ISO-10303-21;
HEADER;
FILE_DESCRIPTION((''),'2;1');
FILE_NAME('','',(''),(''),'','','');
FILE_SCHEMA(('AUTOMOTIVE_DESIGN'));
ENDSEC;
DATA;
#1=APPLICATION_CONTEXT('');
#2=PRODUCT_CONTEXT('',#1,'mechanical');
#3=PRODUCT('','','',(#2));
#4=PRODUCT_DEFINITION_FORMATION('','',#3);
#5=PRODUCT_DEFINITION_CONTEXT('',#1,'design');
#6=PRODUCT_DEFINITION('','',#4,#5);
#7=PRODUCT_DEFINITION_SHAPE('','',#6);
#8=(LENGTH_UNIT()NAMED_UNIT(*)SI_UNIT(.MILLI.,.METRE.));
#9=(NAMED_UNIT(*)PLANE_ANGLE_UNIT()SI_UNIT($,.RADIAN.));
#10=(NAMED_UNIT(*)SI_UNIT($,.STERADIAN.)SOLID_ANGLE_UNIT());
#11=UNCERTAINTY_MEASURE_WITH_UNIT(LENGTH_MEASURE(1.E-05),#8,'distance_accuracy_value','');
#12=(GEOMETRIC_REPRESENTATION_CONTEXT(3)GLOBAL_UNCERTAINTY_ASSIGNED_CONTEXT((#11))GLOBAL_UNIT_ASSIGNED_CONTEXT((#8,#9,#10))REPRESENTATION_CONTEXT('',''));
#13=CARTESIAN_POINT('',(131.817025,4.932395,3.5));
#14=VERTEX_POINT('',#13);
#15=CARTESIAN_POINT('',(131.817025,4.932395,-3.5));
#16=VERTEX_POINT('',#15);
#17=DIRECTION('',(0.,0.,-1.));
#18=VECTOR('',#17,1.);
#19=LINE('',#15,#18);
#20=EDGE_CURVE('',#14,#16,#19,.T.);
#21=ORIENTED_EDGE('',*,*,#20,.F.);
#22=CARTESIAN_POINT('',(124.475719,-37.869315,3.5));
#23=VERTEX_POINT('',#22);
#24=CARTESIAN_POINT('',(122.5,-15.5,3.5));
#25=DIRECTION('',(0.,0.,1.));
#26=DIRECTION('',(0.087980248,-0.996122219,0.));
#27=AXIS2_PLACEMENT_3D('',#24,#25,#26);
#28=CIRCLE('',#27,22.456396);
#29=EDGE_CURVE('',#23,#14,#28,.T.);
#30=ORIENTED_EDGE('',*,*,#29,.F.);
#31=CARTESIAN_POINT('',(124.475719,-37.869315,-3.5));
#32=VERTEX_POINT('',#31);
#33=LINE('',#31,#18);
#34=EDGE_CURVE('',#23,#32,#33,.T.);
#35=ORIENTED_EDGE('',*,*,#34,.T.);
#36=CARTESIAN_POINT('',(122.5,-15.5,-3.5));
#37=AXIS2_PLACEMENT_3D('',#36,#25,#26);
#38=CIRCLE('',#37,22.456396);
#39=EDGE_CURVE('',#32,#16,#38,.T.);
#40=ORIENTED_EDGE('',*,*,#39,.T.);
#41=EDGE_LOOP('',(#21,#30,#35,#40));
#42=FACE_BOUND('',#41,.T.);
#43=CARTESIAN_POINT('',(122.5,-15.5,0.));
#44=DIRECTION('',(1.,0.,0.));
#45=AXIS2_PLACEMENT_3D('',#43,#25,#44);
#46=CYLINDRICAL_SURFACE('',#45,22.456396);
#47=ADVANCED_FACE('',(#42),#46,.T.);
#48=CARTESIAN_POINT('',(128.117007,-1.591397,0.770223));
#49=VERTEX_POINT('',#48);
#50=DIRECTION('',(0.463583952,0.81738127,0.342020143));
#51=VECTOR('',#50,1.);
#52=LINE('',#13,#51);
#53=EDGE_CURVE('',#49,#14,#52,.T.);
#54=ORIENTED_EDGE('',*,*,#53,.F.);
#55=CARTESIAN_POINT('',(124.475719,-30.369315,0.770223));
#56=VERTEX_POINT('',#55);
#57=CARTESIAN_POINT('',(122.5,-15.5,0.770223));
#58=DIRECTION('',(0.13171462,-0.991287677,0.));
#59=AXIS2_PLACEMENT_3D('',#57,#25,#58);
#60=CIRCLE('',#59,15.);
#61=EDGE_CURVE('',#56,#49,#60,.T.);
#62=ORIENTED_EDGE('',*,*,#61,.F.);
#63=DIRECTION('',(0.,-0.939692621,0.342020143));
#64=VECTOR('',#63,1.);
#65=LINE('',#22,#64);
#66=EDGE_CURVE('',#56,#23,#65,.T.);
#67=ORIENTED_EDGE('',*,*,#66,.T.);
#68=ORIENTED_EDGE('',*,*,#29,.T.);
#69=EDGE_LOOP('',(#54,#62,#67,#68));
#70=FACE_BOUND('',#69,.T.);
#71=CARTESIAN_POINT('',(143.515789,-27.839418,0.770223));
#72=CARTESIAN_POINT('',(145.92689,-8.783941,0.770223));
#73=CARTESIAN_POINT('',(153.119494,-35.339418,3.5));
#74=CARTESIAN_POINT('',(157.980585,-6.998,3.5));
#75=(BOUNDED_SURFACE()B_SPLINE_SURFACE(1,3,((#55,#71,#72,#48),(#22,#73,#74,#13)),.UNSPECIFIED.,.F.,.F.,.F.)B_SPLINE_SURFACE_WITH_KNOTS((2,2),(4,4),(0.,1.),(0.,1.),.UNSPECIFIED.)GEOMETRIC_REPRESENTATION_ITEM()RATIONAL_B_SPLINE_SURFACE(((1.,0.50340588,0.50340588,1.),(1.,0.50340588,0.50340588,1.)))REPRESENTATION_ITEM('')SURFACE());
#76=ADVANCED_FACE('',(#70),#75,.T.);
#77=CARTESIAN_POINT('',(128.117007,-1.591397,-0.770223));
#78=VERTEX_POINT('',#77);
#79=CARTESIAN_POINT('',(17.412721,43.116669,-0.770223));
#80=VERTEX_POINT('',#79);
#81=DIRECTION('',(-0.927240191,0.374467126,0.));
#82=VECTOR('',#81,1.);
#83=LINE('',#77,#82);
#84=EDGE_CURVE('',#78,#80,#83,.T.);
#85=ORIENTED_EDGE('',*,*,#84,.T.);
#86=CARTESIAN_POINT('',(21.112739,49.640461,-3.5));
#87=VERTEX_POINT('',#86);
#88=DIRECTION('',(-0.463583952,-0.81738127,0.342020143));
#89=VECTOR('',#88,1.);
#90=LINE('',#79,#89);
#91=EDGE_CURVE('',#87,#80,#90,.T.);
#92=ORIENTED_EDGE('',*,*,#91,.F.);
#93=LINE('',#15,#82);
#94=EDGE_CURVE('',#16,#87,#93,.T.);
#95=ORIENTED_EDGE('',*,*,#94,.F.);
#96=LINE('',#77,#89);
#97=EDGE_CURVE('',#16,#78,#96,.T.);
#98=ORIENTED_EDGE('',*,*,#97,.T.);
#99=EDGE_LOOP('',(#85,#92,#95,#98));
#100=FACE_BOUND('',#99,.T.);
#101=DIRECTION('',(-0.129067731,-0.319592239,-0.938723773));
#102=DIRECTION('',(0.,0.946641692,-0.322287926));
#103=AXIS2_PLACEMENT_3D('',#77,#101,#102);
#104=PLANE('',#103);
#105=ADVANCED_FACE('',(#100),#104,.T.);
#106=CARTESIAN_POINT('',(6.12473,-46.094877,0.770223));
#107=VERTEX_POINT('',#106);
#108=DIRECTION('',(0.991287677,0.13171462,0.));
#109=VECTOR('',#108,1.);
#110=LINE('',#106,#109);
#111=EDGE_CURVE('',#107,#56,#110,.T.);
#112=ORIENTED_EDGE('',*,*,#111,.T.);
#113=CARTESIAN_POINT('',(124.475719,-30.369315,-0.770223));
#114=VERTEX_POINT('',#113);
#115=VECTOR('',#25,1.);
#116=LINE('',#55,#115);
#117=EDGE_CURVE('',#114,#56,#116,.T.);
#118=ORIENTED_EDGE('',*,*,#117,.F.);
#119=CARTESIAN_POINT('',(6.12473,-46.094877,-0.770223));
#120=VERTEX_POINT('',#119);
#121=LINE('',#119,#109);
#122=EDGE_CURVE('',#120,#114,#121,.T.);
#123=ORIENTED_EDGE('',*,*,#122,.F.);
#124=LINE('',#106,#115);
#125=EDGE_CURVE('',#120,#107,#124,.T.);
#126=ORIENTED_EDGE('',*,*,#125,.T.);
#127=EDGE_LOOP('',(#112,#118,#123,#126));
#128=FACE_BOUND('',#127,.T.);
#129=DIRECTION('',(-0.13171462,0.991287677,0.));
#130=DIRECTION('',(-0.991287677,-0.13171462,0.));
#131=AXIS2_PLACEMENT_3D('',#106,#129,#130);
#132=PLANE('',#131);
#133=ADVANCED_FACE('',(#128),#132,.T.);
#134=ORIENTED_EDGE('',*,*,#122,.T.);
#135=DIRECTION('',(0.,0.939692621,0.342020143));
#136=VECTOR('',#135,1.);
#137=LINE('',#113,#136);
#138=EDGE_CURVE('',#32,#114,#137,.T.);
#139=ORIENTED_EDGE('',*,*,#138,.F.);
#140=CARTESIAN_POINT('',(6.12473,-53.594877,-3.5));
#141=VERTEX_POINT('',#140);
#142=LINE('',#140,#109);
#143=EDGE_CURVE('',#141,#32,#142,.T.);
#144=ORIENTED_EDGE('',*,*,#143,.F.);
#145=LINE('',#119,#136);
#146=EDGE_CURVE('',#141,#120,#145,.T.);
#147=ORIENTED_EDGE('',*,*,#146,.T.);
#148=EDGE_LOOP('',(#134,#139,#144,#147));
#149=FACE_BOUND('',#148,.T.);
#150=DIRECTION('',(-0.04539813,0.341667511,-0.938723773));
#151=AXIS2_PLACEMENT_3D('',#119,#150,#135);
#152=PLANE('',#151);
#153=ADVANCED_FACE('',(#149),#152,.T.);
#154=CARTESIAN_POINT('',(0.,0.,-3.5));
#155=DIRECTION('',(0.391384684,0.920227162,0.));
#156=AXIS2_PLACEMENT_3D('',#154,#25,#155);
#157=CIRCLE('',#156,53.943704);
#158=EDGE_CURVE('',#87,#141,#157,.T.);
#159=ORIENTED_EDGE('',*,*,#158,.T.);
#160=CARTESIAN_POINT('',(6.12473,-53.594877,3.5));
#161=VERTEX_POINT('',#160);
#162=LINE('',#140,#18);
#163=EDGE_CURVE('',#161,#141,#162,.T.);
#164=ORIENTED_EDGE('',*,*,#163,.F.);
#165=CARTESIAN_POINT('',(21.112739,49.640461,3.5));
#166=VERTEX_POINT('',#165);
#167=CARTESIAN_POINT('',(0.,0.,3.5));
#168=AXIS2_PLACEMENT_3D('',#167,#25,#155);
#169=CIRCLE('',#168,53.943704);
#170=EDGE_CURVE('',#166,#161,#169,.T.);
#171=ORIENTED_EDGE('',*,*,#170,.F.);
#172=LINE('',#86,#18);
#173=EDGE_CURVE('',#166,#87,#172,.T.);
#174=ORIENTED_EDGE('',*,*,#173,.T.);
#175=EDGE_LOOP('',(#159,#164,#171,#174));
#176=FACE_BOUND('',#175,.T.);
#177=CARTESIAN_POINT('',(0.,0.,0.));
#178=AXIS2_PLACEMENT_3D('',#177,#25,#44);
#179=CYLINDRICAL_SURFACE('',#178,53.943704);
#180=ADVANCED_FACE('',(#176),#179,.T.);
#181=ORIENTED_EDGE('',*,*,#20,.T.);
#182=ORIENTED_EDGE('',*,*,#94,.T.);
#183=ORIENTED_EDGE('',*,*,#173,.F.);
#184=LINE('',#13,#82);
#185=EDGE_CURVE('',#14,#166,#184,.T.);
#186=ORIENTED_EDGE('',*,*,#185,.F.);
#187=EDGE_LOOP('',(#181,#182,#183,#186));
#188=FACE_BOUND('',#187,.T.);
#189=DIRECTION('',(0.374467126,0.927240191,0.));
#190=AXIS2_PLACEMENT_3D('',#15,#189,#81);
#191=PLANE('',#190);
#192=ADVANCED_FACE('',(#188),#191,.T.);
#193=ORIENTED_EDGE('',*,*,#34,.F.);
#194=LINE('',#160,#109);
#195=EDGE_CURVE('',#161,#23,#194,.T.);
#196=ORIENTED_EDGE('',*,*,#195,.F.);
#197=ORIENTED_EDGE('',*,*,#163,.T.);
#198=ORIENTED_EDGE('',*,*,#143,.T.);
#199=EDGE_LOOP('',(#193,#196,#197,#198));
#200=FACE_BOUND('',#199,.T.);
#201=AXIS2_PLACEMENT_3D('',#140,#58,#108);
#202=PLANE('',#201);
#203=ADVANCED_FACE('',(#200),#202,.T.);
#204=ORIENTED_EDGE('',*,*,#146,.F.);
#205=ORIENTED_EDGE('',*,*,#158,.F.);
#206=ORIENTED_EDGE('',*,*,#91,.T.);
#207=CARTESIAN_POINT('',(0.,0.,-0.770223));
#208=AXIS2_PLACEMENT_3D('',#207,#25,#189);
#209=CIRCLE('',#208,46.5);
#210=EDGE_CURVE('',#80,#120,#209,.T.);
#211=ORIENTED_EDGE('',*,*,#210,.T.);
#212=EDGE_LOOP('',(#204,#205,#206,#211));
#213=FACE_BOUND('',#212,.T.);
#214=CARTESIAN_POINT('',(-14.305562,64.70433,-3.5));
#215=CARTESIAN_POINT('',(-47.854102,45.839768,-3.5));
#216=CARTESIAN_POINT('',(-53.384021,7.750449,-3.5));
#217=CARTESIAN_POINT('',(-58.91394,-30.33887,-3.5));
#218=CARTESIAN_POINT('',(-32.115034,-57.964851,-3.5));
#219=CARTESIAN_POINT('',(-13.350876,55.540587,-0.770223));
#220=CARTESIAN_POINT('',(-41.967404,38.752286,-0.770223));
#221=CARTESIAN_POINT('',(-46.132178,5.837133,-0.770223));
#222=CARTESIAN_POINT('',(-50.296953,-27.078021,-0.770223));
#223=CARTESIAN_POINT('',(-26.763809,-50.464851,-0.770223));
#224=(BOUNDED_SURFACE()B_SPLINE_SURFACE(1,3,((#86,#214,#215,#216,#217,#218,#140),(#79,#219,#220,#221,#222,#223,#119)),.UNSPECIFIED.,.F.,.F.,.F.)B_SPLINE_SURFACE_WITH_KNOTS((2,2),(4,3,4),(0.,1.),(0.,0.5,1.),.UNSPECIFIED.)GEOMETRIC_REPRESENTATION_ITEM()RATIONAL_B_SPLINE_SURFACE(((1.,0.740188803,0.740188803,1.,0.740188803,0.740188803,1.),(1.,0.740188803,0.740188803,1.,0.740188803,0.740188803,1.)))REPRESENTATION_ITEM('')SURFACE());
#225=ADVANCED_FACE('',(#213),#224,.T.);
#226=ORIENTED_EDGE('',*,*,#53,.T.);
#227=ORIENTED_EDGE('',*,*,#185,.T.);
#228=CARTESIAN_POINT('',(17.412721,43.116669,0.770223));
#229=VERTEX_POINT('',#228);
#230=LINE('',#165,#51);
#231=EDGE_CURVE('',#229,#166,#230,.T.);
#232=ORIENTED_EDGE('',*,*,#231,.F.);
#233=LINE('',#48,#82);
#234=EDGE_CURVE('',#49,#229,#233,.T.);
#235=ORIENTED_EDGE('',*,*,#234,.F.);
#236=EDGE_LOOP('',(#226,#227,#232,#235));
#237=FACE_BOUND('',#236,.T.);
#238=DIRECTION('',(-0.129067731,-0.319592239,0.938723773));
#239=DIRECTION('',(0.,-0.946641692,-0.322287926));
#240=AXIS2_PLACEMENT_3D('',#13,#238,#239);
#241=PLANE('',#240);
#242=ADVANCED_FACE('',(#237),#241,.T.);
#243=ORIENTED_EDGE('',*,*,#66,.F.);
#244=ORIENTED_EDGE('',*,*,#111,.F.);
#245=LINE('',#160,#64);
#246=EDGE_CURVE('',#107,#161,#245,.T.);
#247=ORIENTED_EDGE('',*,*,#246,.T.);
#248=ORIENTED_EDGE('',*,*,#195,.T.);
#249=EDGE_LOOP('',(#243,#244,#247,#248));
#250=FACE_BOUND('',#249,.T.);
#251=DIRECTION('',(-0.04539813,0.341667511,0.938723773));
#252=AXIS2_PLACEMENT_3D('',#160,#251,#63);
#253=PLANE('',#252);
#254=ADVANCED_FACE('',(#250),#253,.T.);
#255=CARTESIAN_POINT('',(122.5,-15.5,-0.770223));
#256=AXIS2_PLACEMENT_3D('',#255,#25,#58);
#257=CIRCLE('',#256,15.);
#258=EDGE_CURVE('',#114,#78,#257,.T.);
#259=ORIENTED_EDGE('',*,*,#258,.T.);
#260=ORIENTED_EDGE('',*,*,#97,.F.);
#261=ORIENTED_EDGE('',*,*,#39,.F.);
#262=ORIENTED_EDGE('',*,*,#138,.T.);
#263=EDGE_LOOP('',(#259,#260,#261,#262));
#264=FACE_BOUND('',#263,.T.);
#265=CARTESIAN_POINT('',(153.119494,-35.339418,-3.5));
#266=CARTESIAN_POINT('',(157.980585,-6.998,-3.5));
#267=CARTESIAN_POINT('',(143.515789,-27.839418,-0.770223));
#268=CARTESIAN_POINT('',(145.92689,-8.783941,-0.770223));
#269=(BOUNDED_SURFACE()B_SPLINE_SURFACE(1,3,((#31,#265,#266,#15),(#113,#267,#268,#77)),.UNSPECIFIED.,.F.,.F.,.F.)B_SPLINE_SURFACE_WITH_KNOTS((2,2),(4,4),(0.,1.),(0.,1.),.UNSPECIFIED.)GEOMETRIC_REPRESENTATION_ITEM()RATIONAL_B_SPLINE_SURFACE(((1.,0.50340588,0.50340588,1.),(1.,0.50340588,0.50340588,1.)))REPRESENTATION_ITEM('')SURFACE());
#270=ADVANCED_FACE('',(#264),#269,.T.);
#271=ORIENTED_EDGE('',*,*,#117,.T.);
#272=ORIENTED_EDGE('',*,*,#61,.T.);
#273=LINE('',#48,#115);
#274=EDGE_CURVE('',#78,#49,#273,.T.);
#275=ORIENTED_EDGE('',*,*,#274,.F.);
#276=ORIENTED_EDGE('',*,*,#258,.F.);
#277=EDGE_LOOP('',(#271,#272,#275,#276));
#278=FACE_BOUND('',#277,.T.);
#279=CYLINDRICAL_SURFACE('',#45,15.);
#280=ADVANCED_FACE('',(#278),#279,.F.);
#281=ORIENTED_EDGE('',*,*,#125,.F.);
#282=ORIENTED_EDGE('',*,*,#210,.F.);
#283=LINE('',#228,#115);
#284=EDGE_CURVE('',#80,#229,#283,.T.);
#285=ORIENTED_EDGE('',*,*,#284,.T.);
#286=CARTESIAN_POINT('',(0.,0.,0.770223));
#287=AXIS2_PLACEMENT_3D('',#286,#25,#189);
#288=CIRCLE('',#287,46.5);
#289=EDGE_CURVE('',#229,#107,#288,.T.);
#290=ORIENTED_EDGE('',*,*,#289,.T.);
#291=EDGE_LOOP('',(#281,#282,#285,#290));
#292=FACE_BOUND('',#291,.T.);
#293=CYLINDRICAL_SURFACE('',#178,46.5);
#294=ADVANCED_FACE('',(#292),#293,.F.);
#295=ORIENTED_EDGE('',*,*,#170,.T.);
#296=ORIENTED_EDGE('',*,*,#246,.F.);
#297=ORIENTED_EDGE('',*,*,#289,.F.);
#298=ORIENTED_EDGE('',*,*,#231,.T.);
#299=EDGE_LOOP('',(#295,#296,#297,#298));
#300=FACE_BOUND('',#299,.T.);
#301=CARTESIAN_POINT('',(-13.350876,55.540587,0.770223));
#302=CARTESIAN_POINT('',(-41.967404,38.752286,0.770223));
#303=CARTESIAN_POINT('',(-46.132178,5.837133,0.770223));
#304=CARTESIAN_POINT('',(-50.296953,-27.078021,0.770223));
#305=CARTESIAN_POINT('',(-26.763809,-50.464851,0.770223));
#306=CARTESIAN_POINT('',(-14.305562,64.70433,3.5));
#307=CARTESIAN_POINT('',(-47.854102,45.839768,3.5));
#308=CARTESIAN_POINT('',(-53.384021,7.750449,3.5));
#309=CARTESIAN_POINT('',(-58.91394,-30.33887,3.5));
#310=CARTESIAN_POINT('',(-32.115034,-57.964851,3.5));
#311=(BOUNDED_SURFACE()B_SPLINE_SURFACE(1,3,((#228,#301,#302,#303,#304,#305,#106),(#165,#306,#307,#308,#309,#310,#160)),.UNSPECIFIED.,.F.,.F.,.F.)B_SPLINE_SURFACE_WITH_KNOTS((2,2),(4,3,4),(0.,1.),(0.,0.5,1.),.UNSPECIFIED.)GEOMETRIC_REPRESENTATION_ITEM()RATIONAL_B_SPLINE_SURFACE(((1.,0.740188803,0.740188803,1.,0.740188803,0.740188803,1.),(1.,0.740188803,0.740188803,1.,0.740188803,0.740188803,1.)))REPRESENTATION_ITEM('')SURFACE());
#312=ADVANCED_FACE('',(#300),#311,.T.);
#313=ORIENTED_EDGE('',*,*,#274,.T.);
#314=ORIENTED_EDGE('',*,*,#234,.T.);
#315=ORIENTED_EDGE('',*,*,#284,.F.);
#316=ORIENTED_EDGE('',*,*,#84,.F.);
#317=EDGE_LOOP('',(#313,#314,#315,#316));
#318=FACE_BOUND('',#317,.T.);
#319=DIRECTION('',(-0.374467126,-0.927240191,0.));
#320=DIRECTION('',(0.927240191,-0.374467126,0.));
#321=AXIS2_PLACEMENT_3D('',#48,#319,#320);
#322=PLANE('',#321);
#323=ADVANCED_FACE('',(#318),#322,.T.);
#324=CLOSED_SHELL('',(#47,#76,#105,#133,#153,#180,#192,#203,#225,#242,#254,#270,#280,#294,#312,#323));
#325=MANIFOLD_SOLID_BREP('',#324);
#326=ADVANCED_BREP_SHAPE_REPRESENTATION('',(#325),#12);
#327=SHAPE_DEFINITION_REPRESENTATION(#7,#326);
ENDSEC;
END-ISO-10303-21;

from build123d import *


with BuildPart() as part:
    # Sweep1: sweep along a path in Sketch4
    with BuildLine(Plane.XY) as sweep1_path:
        Line((6.124729851, -46.094876985), (124.475719307, -30.369315156))
        ThreePointArc((124.475719307, -30.369315156), (137.381347861, -17.382946056), (128.117006893, -1.591397138))
        Line((128.117006893, -1.591397138), (17.412721367, 43.116668872))
        ThreePointArc((17.412721367, 43.116668872), (-46.132178368, 5.837132773), (6.124729851, -46.094876985))
    # Sketch5 → Sweep1 (sweep)
    with BuildSketch(Plane(origin=(6.124729851, 0, 0), x_dir=(0, 0, -1), z_dir=(1, 0, 0))):
        Polygon((-0.770223243, -46.094876985), (0.770223243, -46.094876985), (3.5, -53.594876985), (-3.5, -53.594876985), align=None)
    sweep(path=sweep1_path.line)


solid = part.part
